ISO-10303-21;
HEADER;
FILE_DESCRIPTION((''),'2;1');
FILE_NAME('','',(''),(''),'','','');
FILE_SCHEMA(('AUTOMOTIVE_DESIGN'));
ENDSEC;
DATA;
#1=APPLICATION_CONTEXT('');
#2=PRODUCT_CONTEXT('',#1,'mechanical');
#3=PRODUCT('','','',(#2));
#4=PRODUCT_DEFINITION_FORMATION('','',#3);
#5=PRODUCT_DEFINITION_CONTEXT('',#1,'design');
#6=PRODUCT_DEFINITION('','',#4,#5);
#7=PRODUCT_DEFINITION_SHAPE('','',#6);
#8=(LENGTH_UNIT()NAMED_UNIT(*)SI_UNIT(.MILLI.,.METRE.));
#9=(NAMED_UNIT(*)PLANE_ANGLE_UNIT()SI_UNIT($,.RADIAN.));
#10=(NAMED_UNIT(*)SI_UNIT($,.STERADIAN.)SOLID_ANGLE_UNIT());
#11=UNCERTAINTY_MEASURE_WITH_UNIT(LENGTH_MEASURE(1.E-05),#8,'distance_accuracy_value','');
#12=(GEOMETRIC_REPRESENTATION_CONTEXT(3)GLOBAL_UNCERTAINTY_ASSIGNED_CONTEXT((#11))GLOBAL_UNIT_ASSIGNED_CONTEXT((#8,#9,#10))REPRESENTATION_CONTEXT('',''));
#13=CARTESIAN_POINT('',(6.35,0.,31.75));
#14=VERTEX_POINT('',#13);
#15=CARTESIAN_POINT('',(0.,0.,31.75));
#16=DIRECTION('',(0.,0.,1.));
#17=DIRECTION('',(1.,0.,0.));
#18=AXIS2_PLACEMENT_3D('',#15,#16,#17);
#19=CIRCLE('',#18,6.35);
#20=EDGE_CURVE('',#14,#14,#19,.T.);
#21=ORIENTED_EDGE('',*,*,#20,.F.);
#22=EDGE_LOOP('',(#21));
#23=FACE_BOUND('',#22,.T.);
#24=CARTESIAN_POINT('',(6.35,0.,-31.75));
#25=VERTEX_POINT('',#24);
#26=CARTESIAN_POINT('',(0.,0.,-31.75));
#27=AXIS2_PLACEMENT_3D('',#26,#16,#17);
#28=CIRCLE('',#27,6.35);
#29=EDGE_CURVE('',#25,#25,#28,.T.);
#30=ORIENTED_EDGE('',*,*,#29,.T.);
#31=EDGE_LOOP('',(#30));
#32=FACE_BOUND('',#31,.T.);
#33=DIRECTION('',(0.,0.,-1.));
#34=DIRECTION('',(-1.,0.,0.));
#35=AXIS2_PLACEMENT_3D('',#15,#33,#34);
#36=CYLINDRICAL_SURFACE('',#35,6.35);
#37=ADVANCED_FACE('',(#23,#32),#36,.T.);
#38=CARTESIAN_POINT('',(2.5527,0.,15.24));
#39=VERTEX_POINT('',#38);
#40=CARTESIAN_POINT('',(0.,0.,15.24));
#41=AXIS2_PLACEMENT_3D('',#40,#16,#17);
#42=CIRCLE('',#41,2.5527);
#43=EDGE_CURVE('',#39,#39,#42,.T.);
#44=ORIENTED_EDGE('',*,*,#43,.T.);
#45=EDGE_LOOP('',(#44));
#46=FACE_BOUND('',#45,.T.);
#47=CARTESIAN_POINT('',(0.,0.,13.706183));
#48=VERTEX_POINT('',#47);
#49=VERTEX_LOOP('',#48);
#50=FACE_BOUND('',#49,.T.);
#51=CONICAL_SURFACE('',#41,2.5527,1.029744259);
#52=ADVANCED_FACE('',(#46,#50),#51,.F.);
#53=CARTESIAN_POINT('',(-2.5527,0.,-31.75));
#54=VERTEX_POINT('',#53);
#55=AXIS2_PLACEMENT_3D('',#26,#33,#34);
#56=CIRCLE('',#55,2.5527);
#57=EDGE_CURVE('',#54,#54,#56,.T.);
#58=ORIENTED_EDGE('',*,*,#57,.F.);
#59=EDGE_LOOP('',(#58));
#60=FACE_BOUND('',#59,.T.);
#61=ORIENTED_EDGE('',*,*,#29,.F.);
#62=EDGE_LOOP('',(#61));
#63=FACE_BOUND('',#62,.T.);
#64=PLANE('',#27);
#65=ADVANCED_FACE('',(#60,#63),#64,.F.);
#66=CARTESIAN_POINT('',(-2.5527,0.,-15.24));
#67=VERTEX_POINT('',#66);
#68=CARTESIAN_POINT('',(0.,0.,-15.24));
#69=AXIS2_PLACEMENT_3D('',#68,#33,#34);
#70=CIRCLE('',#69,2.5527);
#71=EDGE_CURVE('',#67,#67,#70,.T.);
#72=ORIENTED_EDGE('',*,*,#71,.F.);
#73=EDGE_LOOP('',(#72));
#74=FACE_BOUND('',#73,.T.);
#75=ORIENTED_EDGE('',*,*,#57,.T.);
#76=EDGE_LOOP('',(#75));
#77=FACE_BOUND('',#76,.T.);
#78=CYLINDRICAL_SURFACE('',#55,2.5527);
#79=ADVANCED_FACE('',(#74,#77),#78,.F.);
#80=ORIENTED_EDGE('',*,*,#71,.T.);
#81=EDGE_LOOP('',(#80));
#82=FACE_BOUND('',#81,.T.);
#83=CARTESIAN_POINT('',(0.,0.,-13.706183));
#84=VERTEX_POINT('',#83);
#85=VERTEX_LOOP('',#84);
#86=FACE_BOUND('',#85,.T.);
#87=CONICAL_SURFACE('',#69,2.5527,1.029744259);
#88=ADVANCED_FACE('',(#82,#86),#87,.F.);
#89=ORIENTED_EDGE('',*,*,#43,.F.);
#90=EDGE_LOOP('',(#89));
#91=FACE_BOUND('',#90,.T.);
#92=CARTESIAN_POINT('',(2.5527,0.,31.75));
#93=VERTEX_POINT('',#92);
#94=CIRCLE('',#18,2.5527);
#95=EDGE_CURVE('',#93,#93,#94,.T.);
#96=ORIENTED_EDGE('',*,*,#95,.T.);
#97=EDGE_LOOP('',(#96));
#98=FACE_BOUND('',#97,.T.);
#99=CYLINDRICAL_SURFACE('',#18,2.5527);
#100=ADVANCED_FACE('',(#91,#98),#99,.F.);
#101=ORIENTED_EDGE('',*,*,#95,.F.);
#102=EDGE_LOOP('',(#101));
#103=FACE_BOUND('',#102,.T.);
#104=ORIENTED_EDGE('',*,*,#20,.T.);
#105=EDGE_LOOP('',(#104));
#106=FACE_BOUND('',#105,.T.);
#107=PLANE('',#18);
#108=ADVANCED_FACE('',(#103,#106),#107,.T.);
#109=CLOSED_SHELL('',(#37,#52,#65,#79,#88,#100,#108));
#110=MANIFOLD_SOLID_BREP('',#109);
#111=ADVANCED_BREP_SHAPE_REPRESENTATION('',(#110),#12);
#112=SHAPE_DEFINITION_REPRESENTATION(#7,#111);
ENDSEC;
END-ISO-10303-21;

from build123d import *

# Parameters (mm, degrees)
SKETCH1_R                             = 6.35
BOSS_EXTRUDE1_DEPTH                   = 31.75
F_1_4_20_TAPPED_HOLE1_D               = 5.1054
F_1_4_20_TAPPED_HOLE1_DEPTH           = 16.51
F_1_4_20_TAPPED_HOLE1_TIP             = 1.533816902
F_1_4_20_TAPPED_HOLE1_ON_FACE_2_D     = 5.1054
F_1_4_20_TAPPED_HOLE1_ON_FACE_2_DEPTH = 16.51
F_1_4_20_TAPPED_HOLE1_ON_FACE_2_TIP   = 1.533816902


with BuildPart() as part:
    # Sketch1 → Boss-Extrude1 (new, symmetric)
    with BuildSketch(Plane.XY):
        Circle(SKETCH1_R)
    extrude(amount=BOSS_EXTRUDE1_DEPTH, both=True)

    # 1/4-20 Tapped Hole1
    with Locations(Plane.XY.offset(31.75)):
        with Locations((0, 0)):
            Hole(F_1_4_20_TAPPED_HOLE1_D / 2, depth=F_1_4_20_TAPPED_HOLE1_DEPTH)
            with Locations((0, 0, -(F_1_4_20_TAPPED_HOLE1_DEPTH + F_1_4_20_TAPPED_HOLE1_TIP / 2))):  # 118° drill point
                Cone(0, F_1_4_20_TAPPED_HOLE1_D / 2, F_1_4_20_TAPPED_HOLE1_TIP, mode=Mode.SUBTRACT)

    # 1/4-20 Tapped Hole1 on face 2
    with Locations(Plane(origin=(0, 0, -31.75), x_dir=(-1, 0, 0), z_dir=(0, 0, -1))):
        with Locations((0, 0)):
            Hole(F_1_4_20_TAPPED_HOLE1_ON_FACE_2_D / 2, depth=F_1_4_20_TAPPED_HOLE1_ON_FACE_2_DEPTH)
            with Locations((0, 0, -(F_1_4_20_TAPPED_HOLE1_ON_FACE_2_DEPTH + F_1_4_20_TAPPED_HOLE1_ON_FACE_2_TIP / 2))):  # 118° drill point
                Cone(0, F_1_4_20_TAPPED_HOLE1_ON_FACE_2_D / 2, F_1_4_20_TAPPED_HOLE1_ON_FACE_2_TIP, mode=Mode.SUBTRACT)


solid = part.part
